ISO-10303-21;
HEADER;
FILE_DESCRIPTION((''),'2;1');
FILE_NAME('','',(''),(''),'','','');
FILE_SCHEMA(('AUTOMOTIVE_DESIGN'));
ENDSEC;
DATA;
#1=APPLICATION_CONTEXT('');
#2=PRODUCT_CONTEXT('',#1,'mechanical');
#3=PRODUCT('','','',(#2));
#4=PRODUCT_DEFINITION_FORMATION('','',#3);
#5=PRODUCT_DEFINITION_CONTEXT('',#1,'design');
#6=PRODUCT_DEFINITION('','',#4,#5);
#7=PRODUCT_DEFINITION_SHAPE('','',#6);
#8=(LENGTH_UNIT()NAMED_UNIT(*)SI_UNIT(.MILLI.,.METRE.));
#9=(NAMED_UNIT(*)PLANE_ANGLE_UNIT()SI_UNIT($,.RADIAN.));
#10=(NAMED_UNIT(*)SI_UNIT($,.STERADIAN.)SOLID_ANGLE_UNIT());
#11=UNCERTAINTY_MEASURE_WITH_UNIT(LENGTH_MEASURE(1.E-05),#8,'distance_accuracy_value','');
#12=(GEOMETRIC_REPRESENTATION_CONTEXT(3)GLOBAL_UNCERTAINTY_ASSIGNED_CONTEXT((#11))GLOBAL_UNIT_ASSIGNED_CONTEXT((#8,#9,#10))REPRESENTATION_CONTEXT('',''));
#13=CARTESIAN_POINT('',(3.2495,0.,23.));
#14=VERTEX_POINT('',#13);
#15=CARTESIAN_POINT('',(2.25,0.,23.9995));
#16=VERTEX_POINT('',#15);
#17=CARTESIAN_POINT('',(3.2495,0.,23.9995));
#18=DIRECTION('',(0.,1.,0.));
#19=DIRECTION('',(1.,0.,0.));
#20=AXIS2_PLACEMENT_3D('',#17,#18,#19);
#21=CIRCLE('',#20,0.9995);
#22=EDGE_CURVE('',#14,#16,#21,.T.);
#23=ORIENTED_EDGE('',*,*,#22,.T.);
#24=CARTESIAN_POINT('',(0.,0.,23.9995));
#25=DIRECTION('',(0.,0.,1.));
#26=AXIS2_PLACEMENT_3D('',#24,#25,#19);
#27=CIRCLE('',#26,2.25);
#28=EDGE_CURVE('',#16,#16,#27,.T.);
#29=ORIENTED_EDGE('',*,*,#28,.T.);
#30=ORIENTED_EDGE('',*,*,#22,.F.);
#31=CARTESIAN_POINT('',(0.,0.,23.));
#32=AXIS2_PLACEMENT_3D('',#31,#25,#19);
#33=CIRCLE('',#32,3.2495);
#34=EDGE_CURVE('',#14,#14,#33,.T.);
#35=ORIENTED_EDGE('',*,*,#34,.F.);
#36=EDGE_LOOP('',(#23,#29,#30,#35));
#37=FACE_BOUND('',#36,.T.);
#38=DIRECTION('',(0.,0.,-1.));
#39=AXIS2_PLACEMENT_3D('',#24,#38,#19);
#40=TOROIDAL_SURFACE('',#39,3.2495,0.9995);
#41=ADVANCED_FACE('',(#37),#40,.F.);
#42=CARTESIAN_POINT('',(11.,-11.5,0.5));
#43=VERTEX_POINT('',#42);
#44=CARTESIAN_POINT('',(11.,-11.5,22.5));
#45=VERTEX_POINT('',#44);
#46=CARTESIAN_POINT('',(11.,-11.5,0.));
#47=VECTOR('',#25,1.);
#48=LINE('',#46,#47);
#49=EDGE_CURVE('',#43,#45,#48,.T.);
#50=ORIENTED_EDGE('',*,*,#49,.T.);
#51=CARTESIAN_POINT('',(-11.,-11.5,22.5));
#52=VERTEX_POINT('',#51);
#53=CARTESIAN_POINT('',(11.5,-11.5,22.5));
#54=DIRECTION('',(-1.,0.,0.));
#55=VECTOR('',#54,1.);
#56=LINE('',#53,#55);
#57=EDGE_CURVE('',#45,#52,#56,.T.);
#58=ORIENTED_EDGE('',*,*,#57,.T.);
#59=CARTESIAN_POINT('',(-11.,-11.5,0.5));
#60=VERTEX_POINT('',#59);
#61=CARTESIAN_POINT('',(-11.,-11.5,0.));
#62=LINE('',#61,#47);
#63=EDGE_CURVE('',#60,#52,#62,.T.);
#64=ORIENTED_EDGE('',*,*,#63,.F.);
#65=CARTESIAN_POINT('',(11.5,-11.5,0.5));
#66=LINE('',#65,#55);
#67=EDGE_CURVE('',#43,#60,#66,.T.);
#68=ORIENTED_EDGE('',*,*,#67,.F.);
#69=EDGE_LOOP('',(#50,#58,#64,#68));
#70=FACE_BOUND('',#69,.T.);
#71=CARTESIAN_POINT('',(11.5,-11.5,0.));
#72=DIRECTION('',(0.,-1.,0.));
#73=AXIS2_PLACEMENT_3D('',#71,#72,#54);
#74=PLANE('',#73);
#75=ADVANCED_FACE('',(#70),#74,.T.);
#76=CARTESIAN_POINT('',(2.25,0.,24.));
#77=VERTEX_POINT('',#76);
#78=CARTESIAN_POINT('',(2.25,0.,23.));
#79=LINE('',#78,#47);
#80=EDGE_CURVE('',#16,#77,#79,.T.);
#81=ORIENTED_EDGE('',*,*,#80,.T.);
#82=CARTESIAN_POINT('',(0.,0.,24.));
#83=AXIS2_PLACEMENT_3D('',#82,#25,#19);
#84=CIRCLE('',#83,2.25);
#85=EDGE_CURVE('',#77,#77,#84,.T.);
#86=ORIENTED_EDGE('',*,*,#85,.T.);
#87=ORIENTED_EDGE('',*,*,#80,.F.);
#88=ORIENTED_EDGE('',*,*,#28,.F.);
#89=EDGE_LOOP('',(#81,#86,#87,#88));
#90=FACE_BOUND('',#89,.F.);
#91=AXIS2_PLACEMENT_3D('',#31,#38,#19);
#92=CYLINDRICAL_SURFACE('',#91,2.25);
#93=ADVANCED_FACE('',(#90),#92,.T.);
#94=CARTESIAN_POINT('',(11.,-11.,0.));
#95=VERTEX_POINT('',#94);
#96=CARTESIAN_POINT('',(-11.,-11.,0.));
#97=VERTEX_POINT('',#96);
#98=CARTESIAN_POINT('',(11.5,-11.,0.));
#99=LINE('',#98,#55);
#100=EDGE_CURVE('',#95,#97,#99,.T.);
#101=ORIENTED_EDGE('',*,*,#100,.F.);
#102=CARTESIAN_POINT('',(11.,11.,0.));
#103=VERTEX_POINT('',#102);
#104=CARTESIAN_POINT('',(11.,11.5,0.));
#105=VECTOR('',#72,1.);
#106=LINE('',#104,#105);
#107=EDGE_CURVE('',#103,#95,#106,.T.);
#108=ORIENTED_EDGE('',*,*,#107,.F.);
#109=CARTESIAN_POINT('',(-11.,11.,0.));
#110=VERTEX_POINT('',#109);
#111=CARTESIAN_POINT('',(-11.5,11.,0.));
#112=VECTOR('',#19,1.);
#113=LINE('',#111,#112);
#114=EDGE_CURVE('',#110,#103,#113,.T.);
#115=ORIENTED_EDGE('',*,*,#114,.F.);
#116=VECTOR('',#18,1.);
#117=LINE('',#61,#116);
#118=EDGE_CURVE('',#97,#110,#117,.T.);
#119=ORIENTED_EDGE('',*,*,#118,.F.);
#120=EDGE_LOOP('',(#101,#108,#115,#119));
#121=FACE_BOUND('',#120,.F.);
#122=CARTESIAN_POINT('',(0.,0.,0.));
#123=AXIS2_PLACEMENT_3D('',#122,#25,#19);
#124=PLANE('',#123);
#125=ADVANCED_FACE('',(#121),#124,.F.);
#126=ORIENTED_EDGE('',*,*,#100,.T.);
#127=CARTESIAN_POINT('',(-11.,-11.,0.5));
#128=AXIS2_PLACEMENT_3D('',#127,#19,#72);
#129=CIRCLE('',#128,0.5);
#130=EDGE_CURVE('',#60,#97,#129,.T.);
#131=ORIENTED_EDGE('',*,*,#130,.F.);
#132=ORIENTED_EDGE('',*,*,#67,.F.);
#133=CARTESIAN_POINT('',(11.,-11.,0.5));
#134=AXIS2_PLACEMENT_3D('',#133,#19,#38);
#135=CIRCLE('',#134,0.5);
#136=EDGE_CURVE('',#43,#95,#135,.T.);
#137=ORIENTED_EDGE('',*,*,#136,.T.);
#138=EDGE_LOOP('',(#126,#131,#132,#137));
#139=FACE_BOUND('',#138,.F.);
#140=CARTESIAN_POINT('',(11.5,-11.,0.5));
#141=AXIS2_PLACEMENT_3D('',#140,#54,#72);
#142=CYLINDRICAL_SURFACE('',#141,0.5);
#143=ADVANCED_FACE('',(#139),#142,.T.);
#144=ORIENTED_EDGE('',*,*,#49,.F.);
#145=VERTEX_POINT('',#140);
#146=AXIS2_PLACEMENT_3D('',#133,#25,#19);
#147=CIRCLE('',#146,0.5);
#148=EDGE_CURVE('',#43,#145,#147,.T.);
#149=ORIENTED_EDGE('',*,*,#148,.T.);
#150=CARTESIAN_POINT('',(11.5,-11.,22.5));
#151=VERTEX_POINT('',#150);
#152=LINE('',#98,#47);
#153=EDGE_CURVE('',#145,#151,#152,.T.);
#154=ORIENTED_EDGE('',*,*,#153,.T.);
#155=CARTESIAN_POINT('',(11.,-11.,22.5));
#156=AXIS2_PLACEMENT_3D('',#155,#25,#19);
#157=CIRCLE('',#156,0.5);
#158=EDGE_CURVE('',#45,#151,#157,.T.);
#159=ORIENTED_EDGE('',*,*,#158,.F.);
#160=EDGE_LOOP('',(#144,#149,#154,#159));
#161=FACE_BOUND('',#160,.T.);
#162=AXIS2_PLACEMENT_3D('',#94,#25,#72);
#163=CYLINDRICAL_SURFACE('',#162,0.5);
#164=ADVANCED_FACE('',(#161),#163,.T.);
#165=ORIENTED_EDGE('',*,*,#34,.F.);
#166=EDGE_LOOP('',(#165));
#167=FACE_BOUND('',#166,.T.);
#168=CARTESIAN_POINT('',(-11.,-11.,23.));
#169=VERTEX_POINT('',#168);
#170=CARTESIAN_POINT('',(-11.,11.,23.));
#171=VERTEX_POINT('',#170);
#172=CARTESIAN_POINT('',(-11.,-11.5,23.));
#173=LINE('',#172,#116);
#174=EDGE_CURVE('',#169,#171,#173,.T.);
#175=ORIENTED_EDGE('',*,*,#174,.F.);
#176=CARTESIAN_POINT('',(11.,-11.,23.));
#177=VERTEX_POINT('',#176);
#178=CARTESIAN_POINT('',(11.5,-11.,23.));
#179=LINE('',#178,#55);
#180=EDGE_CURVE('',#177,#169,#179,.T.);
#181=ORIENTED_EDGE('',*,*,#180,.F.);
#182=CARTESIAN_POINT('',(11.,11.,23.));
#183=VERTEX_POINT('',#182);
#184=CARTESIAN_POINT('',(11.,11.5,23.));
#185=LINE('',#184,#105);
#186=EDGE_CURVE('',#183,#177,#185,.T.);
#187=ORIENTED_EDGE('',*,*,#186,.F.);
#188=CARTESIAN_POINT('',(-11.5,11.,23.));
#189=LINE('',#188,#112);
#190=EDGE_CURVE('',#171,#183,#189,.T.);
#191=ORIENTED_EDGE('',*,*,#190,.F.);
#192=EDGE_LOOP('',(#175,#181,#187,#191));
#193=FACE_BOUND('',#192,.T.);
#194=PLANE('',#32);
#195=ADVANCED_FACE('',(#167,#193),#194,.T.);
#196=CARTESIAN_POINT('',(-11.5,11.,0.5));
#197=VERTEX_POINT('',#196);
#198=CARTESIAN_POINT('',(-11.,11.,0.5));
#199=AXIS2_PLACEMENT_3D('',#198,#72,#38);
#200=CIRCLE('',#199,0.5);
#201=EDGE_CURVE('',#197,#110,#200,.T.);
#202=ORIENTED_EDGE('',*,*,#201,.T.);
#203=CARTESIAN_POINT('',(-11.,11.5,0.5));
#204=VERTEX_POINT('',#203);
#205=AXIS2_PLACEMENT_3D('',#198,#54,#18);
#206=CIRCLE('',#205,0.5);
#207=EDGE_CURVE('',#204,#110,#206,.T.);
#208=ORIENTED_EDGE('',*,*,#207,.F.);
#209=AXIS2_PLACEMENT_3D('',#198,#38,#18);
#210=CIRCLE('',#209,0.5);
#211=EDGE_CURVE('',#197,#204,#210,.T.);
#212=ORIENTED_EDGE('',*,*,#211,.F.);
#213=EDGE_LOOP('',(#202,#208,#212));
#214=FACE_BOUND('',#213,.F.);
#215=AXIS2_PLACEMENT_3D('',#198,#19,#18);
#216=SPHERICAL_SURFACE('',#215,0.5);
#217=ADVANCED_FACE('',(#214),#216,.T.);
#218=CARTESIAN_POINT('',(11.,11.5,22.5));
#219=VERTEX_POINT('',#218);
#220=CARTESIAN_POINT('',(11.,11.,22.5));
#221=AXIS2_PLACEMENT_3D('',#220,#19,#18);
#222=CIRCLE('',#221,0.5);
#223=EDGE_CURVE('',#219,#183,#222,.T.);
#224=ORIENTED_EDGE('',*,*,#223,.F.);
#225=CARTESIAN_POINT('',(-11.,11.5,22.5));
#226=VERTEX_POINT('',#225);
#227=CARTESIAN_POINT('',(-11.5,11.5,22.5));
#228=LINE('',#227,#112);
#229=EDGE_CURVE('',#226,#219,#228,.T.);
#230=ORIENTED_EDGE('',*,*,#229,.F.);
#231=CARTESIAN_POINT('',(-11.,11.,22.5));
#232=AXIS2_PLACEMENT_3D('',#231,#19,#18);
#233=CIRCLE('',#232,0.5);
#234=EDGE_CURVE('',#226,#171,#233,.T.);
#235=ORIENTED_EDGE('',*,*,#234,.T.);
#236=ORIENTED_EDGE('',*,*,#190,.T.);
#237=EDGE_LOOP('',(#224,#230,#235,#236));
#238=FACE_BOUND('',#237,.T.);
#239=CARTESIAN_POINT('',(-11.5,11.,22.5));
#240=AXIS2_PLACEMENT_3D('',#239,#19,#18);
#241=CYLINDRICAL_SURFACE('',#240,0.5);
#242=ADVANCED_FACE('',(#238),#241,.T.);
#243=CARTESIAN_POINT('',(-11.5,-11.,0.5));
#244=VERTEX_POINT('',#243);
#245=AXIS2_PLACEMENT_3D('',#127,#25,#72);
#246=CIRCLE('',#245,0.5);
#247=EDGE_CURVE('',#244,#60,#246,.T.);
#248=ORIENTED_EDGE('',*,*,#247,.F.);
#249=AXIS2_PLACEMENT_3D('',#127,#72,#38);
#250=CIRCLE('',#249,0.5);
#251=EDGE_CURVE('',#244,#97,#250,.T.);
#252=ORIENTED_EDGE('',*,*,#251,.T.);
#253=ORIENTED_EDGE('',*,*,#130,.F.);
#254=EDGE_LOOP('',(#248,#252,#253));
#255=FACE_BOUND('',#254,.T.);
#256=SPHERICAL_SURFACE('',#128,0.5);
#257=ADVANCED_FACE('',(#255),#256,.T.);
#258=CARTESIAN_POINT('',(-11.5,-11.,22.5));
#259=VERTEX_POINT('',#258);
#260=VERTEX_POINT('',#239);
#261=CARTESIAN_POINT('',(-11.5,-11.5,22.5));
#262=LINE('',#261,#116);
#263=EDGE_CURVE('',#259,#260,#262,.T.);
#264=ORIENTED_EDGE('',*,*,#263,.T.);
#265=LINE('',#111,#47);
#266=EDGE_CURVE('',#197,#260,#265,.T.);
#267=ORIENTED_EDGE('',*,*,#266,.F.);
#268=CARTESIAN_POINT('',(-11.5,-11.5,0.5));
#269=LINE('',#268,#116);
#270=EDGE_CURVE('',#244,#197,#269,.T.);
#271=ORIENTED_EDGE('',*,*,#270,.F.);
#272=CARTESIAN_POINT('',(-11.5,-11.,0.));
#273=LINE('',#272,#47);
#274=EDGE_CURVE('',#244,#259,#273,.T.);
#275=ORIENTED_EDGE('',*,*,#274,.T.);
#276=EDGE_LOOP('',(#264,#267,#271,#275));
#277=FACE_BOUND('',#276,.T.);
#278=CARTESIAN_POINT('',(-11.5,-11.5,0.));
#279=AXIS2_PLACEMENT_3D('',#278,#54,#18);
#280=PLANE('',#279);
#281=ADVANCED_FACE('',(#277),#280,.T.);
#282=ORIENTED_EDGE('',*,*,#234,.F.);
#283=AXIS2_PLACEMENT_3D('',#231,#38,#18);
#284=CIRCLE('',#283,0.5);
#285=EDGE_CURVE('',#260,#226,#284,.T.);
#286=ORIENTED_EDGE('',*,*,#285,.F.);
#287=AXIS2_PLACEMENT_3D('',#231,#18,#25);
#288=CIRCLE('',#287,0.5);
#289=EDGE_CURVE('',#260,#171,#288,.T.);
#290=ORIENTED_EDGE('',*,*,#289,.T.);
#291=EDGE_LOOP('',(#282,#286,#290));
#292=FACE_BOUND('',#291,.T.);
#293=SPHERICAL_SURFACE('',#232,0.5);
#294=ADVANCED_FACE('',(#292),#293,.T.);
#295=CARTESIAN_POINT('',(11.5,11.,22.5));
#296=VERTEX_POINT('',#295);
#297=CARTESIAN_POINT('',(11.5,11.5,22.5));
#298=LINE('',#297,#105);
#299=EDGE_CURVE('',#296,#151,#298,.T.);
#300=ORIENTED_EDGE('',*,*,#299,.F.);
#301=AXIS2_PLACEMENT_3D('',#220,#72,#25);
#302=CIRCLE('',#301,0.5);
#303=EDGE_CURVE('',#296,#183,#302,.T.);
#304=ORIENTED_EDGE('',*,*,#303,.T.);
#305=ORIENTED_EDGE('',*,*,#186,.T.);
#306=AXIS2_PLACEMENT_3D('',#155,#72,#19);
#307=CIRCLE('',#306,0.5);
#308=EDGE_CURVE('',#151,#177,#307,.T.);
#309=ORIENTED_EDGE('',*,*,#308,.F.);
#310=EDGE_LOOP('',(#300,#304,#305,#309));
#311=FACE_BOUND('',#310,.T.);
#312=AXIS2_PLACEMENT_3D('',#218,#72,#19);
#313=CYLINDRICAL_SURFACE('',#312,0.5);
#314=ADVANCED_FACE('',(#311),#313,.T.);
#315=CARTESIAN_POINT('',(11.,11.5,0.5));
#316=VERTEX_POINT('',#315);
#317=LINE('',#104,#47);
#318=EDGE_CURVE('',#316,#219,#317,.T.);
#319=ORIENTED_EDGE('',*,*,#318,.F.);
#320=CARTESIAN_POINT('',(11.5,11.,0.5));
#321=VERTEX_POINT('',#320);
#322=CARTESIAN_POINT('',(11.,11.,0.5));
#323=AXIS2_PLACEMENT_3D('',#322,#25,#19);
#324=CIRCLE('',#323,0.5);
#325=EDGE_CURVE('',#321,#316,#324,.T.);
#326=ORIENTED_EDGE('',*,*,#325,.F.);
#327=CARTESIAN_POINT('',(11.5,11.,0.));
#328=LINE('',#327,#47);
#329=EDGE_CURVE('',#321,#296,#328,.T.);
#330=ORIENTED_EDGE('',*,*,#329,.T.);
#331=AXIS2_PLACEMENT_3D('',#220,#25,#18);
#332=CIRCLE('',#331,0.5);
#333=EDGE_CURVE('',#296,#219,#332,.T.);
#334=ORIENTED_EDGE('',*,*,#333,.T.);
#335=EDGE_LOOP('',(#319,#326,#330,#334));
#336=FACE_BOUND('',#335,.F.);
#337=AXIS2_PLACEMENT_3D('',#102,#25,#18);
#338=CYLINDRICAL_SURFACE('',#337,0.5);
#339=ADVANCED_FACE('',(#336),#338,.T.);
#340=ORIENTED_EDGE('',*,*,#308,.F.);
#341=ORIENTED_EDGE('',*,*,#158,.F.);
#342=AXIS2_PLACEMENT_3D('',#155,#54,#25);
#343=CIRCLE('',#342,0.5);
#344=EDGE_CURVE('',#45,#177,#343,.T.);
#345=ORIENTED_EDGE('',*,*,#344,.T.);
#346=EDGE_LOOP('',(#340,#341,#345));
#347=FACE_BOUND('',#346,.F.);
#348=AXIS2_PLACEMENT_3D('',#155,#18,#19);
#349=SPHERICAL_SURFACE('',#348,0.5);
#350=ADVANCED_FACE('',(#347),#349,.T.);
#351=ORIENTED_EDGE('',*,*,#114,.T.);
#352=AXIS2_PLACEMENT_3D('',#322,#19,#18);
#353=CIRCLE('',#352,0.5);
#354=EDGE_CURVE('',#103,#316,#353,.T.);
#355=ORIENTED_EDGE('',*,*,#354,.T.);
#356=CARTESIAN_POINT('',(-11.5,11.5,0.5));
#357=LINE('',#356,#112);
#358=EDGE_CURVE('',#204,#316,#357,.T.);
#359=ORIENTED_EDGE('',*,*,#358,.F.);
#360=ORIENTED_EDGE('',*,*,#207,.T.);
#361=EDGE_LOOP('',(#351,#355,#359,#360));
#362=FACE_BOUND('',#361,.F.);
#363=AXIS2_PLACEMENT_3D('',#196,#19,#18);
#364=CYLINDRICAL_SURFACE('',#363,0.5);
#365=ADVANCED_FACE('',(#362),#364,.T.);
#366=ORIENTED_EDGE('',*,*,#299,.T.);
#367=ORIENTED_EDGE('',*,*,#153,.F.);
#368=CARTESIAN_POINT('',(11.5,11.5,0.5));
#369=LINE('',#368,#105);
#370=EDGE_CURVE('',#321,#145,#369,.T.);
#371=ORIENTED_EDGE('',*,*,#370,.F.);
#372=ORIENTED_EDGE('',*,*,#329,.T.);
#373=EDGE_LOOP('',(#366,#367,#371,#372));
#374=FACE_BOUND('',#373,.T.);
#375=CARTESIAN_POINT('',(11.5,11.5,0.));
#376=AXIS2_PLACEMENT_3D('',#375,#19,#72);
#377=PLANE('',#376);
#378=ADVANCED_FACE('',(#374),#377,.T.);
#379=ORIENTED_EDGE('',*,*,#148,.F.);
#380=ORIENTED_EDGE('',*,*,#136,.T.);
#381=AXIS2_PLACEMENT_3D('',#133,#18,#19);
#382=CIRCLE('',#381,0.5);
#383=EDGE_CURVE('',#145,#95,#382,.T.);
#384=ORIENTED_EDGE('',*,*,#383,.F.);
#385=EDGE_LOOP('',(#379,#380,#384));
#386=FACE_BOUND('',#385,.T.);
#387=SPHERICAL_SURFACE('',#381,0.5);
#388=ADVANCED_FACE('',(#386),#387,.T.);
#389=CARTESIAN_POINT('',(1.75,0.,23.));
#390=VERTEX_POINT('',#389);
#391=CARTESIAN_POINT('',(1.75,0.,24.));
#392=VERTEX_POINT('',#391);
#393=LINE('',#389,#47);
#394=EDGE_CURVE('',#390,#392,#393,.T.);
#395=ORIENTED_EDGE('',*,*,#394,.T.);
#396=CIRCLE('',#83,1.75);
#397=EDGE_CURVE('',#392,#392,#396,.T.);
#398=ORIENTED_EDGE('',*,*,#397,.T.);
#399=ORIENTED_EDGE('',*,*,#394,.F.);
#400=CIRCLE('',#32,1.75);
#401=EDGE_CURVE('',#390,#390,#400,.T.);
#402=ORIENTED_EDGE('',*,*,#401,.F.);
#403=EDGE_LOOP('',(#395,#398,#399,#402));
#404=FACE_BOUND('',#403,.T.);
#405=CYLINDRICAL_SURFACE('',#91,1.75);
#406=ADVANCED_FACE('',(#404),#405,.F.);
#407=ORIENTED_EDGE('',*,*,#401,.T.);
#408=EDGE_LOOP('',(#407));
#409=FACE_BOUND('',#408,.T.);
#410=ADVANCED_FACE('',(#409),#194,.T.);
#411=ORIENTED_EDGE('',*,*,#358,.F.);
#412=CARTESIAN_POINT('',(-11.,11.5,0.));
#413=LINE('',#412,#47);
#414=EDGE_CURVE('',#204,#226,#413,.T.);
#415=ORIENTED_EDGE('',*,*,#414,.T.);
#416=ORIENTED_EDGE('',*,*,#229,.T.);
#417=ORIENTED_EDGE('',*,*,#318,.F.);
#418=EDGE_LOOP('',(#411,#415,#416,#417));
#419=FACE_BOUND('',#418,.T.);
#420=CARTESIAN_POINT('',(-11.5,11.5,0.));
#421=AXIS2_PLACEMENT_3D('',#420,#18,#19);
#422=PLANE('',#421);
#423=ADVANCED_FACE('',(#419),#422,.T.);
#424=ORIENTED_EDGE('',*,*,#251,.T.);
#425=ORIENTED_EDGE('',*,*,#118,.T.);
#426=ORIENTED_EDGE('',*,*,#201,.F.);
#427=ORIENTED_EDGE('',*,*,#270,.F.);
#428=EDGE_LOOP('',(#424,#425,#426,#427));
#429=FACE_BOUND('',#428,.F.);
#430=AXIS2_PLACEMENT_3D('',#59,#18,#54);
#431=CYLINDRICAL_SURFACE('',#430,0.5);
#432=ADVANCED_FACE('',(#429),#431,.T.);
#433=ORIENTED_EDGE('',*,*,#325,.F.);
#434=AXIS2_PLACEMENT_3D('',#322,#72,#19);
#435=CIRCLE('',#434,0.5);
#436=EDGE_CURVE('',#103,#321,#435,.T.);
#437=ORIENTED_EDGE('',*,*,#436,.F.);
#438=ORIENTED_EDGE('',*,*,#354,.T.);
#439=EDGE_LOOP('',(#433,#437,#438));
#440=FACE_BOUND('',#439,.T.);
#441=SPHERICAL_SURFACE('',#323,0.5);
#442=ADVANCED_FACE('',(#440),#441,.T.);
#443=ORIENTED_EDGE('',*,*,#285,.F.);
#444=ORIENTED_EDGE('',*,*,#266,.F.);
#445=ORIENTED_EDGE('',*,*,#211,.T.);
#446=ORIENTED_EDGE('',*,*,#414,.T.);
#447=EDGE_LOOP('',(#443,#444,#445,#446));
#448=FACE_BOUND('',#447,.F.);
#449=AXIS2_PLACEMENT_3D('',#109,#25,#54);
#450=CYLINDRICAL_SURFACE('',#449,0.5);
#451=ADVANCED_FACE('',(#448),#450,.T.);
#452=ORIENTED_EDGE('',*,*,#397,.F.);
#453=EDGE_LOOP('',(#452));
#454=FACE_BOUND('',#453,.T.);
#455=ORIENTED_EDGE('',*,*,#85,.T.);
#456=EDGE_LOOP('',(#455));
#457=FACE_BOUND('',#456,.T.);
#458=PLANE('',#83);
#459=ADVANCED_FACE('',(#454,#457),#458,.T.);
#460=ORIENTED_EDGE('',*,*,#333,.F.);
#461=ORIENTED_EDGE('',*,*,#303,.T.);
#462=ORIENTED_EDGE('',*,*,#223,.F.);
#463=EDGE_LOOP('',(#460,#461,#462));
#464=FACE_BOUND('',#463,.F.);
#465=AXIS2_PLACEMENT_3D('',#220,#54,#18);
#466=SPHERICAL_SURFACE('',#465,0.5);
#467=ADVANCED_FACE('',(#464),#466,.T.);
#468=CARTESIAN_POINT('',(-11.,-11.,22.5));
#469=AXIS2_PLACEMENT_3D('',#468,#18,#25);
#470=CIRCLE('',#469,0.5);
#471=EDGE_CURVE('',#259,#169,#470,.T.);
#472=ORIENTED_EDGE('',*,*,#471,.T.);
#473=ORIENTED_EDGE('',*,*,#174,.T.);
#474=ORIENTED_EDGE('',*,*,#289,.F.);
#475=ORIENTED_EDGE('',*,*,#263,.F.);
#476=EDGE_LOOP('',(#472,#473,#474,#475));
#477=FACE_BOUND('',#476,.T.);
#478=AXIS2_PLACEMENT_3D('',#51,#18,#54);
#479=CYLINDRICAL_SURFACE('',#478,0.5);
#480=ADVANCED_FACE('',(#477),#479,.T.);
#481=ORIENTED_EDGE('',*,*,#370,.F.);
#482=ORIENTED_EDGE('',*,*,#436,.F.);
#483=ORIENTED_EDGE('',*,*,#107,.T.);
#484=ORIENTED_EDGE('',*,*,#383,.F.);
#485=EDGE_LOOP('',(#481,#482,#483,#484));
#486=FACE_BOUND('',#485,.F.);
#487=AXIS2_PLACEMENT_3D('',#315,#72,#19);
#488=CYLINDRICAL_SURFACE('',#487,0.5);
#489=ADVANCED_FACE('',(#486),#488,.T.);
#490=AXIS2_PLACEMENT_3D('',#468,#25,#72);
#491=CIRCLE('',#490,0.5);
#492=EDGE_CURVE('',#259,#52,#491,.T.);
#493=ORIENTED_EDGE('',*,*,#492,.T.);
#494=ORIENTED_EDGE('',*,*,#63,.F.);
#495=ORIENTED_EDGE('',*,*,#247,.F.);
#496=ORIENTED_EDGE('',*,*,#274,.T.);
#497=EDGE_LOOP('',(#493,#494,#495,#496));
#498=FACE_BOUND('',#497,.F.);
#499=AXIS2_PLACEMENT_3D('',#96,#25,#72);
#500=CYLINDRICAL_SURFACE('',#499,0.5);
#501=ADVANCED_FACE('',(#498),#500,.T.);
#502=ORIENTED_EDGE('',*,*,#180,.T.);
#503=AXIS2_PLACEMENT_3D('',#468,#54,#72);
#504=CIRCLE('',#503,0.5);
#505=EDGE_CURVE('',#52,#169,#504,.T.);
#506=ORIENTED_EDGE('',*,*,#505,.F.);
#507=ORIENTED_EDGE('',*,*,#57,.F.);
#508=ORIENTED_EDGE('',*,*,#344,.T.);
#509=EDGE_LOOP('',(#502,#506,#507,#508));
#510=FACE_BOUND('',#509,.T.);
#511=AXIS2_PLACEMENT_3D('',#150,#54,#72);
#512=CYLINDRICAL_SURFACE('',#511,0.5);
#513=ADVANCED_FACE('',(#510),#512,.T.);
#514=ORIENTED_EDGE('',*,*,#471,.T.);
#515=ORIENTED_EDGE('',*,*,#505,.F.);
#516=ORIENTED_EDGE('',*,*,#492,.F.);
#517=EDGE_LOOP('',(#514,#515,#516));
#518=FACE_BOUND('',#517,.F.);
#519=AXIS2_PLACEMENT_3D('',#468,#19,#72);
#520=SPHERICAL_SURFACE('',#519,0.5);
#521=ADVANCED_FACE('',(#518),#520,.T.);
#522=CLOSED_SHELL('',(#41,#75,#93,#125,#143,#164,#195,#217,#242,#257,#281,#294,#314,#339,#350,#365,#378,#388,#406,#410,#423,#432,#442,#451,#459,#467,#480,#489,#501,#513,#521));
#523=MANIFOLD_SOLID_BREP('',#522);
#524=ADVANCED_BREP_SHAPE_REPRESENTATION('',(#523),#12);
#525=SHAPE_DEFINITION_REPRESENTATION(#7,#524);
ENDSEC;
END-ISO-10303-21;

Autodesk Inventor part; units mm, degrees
ref_plane "YZ Plane" through (0, 0, 0) normal (1, 0, 0) x (0, 1, 0)
ref_plane "XZ Plane" through (0, 0, 0) normal (0, 1, 0) x (-1, 0, 0)
ref_plane "XY Plane" through (0, 0, 0) normal (0, 0, 1) x (1, 0, 0)
sketch "Szkic1" plane through (0, 0, 0) normal (0, 0, 1) x (1, 0, 0)
  line L0 (11.5, -11.5) -> (-11.5, -11.5)
  line L1 (-11.5, -11.5) -> (-11.5, 11.5)
  line L2 (-11.5, 11.5) -> (11.5, 11.5)
  line L3 (11.5, 11.5) -> (11.5, -11.5)
  line L4 (11.5, -11.5) -> (-11.5, 11.5) construction
  line L5 (-11.5, -11.5) -> (11.5, 11.5) construction
  point P0 (0, 0)
  dimension "d0" = 23
  dimension "d1" = 23
extrude "Wyciągnięcie proste1" add sketch "Szkic1" along normal blind 23
fillet "Zaokrąglenie1" radius 0.5 12 edges at (0, 11.5, 23) (11.5, 11.5, 11.5) (11.5, 0, 23) (11.5, 0, 0) (11.5, -11.5, 11.5) (0, -11.5, 23) (0, -11.5, 0) (-11.5, -11.5, 11.5) (0, 11.5, 0) (-11.5, 11.5, 11.5) (-11.5, 0, 0) (-11.5, 0, 23)
sketch "Szkic2" plane through (0, 0, 23) normal (0, 0, 1) x (1, 0, 0)
  circle A0 centre (0, 0) radius 1.75
  circle A1 centre (0, 0) radius 2.25
  dimension "d5" = 3.5
  dimension "d6" = 4.5
extrude "Wyciągnięcie proste2" add sketch "Szkic2" along normal blind 1
fillet "Zaokrąglenie2" radius 1 1 edges at (-2.25, 0, 23)
properties part number "Kamera"
